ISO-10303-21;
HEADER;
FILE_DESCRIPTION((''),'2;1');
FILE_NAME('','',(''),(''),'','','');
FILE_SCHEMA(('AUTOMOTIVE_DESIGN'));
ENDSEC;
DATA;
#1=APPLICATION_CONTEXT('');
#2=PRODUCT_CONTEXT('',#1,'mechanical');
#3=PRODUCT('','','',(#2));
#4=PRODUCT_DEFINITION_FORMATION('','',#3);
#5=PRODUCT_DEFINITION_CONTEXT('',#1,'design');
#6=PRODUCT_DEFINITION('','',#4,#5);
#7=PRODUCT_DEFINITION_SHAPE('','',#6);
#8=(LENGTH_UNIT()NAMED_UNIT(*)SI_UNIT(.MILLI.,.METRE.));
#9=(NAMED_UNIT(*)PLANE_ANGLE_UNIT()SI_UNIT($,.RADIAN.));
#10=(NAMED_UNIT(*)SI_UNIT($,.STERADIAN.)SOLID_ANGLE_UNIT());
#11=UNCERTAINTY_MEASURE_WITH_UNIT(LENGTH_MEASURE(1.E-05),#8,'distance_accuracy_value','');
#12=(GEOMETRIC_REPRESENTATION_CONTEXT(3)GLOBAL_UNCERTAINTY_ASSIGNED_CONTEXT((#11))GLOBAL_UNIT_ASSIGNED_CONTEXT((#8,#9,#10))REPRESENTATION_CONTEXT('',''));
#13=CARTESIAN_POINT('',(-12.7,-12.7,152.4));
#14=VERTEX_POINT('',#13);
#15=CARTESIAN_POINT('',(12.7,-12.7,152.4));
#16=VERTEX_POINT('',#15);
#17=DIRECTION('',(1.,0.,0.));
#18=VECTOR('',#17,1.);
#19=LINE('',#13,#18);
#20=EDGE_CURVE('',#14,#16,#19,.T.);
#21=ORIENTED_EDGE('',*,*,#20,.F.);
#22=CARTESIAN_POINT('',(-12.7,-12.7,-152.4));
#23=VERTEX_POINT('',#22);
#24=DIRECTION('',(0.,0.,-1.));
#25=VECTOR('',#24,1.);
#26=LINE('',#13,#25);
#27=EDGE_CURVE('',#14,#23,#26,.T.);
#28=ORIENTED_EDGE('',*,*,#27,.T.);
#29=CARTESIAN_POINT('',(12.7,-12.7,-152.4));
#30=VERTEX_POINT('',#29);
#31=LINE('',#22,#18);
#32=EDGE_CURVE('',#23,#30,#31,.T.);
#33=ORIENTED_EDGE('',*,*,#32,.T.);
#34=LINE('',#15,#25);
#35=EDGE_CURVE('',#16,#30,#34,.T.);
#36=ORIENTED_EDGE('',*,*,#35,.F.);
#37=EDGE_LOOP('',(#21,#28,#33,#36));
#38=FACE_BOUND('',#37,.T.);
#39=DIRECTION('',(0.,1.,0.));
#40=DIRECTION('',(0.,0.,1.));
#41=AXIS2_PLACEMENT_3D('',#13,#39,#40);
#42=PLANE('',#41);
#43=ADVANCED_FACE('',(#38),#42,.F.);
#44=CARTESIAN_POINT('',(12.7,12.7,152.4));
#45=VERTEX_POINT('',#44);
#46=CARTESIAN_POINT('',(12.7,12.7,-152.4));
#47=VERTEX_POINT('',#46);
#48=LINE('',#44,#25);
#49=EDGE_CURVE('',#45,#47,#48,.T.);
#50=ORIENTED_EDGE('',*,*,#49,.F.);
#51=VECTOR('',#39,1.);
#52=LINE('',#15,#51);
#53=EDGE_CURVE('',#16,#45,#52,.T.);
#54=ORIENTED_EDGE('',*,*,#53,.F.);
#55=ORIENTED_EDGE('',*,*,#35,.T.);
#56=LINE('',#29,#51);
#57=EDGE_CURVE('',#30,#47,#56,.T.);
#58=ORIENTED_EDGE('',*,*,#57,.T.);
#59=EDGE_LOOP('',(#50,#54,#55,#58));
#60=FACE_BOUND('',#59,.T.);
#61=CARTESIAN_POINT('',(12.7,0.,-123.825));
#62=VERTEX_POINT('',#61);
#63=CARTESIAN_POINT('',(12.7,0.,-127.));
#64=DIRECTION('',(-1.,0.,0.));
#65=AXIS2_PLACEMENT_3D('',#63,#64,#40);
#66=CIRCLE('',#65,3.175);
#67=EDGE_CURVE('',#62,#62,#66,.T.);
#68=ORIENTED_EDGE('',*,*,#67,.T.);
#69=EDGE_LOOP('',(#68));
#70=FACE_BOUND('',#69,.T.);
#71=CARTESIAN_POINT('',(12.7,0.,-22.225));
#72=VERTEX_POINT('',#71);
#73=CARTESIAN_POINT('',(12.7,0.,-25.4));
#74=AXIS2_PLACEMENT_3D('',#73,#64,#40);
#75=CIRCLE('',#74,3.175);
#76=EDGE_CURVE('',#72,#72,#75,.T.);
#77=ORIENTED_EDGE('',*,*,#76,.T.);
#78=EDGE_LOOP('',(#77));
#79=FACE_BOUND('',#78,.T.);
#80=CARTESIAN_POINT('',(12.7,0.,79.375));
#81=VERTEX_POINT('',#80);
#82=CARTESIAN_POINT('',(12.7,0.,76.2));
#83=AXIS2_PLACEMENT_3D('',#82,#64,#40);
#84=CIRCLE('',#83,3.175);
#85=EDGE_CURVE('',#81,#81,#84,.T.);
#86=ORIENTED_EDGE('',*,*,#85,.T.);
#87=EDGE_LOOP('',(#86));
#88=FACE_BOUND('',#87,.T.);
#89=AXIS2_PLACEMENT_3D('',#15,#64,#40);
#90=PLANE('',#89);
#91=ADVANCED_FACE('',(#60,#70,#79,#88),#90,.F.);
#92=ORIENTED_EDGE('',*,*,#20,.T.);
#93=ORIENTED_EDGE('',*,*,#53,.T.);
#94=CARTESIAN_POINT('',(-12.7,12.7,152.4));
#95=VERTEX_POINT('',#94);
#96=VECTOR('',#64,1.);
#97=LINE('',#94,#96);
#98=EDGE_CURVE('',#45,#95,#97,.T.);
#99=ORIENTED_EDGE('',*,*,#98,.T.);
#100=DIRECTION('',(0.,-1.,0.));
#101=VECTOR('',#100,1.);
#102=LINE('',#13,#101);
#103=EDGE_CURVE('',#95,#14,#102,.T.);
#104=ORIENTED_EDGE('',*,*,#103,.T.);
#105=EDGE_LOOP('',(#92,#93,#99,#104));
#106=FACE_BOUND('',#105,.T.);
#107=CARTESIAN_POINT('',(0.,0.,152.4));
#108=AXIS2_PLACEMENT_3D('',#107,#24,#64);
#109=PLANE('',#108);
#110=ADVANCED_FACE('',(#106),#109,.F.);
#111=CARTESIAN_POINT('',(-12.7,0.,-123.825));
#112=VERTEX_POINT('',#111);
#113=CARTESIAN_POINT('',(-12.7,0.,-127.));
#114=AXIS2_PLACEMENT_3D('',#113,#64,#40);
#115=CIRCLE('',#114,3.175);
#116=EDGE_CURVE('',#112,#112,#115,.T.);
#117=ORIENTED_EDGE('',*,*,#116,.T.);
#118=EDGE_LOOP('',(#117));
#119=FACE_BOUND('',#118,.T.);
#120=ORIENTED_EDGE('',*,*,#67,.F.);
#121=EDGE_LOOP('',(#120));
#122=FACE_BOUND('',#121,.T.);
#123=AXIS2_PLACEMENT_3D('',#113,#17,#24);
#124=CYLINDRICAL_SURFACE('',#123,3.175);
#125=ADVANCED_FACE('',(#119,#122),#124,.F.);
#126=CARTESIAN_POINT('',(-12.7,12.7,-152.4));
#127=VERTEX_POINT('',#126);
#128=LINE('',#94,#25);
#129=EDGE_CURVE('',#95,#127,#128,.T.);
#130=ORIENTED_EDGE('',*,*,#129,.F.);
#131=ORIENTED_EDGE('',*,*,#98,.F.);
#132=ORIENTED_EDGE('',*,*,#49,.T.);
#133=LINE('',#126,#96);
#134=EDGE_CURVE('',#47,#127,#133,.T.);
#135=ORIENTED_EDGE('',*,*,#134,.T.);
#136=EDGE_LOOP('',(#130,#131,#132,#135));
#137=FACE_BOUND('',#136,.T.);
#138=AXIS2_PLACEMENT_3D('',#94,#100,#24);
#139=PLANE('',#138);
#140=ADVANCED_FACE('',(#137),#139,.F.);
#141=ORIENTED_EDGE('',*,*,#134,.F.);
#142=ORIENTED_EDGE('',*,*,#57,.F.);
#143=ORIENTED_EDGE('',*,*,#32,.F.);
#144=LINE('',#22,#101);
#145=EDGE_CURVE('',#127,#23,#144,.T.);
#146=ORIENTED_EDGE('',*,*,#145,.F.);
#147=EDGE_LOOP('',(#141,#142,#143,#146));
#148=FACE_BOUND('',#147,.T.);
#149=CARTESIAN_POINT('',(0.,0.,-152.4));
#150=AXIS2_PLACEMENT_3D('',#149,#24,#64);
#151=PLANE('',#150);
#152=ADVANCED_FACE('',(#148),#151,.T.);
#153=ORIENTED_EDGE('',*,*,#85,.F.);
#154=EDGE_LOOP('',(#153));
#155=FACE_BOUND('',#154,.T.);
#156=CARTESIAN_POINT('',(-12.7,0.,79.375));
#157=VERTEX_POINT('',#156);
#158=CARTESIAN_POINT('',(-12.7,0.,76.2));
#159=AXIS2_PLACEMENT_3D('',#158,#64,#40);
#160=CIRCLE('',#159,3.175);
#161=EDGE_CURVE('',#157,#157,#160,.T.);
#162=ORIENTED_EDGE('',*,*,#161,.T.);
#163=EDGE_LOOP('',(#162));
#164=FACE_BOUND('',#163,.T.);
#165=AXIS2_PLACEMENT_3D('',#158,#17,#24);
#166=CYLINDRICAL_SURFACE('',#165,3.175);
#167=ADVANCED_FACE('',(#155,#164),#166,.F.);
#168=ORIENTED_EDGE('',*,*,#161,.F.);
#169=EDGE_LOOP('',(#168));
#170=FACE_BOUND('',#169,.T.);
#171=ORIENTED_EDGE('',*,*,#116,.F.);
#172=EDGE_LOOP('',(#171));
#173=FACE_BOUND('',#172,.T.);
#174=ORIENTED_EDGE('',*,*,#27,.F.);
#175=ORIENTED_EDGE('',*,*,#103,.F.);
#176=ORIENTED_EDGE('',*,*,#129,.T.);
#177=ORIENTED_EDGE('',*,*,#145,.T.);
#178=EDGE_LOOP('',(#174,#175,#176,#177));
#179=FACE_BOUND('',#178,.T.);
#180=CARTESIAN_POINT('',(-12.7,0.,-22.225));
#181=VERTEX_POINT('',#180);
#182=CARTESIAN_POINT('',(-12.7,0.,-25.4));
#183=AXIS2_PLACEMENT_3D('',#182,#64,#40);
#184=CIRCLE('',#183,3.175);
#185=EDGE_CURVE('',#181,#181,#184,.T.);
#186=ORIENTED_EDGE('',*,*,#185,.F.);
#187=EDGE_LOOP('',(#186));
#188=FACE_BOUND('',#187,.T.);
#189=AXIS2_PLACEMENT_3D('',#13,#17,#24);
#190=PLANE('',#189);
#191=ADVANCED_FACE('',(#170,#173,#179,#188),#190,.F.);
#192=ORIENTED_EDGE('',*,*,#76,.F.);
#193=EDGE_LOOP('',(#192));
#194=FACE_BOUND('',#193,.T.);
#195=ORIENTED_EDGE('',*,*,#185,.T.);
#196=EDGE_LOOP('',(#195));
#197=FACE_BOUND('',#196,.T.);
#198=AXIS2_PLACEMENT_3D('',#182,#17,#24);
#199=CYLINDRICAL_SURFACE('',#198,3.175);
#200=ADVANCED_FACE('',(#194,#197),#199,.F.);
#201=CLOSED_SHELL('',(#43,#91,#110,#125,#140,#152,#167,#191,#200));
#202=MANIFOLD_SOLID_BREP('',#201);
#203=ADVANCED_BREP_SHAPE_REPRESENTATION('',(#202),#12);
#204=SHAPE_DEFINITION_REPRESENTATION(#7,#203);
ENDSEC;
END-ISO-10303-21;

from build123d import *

# Parameters (mm, degrees)
SKETCH7_W           = 25.4
SKETCH7_H           = 25.4
BOSS_EXTRUDE3_DEPTH = 152.4
SKETCH9_R           = 3.175
CUT_EXTRUDE1_DEPTH  = 156.02325632
LPATTERN1_COUNT     = 2
LPATTERN1_PITCH     = 101.6
LPATTERN1_COL_COUNT = 2
LPATTERN1_COL_PITCH = 101.6


with BuildPart() as part:
    # Sketch7 → Boss-Extrude3 (new, symmetric)
    with BuildSketch(Plane.XY):
        Rectangle(SKETCH7_W, SKETCH7_H)
    extrude(amount=BOSS_EXTRUDE3_DEPTH, both=True)

    # Sketch9 → Cut-Extrude1 (cut, through all)
    with BuildSketch(Plane(origin=(12.7, 0, 0), x_dir=(0, -1, 0), z_dir=(-1, 0, 0))):
        with Locations(Location((0, -25.4, 0), (0, 0, 90))):
            Circle(SKETCH9_R)
    cut_extrude1 = extrude(amount=CUT_EXTRUDE1_DEPTH, mode=Mode.SUBTRACT)

    # LPattern1: Cut-Extrude1 ×2
    with Locations(*[(0, 0, -i * LPATTERN1_PITCH) for i in range(1, LPATTERN1_COUNT)]):
        add(cut_extrude1, mode=Mode.SUBTRACT)

    # LPattern1 col: Cut-Extrude1 ×2
    with Locations(*[(0, 0, i * LPATTERN1_COL_PITCH) for i in range(1, LPATTERN1_COL_COUNT)]):
        add(cut_extrude1, mode=Mode.SUBTRACT)


solid = part.part
